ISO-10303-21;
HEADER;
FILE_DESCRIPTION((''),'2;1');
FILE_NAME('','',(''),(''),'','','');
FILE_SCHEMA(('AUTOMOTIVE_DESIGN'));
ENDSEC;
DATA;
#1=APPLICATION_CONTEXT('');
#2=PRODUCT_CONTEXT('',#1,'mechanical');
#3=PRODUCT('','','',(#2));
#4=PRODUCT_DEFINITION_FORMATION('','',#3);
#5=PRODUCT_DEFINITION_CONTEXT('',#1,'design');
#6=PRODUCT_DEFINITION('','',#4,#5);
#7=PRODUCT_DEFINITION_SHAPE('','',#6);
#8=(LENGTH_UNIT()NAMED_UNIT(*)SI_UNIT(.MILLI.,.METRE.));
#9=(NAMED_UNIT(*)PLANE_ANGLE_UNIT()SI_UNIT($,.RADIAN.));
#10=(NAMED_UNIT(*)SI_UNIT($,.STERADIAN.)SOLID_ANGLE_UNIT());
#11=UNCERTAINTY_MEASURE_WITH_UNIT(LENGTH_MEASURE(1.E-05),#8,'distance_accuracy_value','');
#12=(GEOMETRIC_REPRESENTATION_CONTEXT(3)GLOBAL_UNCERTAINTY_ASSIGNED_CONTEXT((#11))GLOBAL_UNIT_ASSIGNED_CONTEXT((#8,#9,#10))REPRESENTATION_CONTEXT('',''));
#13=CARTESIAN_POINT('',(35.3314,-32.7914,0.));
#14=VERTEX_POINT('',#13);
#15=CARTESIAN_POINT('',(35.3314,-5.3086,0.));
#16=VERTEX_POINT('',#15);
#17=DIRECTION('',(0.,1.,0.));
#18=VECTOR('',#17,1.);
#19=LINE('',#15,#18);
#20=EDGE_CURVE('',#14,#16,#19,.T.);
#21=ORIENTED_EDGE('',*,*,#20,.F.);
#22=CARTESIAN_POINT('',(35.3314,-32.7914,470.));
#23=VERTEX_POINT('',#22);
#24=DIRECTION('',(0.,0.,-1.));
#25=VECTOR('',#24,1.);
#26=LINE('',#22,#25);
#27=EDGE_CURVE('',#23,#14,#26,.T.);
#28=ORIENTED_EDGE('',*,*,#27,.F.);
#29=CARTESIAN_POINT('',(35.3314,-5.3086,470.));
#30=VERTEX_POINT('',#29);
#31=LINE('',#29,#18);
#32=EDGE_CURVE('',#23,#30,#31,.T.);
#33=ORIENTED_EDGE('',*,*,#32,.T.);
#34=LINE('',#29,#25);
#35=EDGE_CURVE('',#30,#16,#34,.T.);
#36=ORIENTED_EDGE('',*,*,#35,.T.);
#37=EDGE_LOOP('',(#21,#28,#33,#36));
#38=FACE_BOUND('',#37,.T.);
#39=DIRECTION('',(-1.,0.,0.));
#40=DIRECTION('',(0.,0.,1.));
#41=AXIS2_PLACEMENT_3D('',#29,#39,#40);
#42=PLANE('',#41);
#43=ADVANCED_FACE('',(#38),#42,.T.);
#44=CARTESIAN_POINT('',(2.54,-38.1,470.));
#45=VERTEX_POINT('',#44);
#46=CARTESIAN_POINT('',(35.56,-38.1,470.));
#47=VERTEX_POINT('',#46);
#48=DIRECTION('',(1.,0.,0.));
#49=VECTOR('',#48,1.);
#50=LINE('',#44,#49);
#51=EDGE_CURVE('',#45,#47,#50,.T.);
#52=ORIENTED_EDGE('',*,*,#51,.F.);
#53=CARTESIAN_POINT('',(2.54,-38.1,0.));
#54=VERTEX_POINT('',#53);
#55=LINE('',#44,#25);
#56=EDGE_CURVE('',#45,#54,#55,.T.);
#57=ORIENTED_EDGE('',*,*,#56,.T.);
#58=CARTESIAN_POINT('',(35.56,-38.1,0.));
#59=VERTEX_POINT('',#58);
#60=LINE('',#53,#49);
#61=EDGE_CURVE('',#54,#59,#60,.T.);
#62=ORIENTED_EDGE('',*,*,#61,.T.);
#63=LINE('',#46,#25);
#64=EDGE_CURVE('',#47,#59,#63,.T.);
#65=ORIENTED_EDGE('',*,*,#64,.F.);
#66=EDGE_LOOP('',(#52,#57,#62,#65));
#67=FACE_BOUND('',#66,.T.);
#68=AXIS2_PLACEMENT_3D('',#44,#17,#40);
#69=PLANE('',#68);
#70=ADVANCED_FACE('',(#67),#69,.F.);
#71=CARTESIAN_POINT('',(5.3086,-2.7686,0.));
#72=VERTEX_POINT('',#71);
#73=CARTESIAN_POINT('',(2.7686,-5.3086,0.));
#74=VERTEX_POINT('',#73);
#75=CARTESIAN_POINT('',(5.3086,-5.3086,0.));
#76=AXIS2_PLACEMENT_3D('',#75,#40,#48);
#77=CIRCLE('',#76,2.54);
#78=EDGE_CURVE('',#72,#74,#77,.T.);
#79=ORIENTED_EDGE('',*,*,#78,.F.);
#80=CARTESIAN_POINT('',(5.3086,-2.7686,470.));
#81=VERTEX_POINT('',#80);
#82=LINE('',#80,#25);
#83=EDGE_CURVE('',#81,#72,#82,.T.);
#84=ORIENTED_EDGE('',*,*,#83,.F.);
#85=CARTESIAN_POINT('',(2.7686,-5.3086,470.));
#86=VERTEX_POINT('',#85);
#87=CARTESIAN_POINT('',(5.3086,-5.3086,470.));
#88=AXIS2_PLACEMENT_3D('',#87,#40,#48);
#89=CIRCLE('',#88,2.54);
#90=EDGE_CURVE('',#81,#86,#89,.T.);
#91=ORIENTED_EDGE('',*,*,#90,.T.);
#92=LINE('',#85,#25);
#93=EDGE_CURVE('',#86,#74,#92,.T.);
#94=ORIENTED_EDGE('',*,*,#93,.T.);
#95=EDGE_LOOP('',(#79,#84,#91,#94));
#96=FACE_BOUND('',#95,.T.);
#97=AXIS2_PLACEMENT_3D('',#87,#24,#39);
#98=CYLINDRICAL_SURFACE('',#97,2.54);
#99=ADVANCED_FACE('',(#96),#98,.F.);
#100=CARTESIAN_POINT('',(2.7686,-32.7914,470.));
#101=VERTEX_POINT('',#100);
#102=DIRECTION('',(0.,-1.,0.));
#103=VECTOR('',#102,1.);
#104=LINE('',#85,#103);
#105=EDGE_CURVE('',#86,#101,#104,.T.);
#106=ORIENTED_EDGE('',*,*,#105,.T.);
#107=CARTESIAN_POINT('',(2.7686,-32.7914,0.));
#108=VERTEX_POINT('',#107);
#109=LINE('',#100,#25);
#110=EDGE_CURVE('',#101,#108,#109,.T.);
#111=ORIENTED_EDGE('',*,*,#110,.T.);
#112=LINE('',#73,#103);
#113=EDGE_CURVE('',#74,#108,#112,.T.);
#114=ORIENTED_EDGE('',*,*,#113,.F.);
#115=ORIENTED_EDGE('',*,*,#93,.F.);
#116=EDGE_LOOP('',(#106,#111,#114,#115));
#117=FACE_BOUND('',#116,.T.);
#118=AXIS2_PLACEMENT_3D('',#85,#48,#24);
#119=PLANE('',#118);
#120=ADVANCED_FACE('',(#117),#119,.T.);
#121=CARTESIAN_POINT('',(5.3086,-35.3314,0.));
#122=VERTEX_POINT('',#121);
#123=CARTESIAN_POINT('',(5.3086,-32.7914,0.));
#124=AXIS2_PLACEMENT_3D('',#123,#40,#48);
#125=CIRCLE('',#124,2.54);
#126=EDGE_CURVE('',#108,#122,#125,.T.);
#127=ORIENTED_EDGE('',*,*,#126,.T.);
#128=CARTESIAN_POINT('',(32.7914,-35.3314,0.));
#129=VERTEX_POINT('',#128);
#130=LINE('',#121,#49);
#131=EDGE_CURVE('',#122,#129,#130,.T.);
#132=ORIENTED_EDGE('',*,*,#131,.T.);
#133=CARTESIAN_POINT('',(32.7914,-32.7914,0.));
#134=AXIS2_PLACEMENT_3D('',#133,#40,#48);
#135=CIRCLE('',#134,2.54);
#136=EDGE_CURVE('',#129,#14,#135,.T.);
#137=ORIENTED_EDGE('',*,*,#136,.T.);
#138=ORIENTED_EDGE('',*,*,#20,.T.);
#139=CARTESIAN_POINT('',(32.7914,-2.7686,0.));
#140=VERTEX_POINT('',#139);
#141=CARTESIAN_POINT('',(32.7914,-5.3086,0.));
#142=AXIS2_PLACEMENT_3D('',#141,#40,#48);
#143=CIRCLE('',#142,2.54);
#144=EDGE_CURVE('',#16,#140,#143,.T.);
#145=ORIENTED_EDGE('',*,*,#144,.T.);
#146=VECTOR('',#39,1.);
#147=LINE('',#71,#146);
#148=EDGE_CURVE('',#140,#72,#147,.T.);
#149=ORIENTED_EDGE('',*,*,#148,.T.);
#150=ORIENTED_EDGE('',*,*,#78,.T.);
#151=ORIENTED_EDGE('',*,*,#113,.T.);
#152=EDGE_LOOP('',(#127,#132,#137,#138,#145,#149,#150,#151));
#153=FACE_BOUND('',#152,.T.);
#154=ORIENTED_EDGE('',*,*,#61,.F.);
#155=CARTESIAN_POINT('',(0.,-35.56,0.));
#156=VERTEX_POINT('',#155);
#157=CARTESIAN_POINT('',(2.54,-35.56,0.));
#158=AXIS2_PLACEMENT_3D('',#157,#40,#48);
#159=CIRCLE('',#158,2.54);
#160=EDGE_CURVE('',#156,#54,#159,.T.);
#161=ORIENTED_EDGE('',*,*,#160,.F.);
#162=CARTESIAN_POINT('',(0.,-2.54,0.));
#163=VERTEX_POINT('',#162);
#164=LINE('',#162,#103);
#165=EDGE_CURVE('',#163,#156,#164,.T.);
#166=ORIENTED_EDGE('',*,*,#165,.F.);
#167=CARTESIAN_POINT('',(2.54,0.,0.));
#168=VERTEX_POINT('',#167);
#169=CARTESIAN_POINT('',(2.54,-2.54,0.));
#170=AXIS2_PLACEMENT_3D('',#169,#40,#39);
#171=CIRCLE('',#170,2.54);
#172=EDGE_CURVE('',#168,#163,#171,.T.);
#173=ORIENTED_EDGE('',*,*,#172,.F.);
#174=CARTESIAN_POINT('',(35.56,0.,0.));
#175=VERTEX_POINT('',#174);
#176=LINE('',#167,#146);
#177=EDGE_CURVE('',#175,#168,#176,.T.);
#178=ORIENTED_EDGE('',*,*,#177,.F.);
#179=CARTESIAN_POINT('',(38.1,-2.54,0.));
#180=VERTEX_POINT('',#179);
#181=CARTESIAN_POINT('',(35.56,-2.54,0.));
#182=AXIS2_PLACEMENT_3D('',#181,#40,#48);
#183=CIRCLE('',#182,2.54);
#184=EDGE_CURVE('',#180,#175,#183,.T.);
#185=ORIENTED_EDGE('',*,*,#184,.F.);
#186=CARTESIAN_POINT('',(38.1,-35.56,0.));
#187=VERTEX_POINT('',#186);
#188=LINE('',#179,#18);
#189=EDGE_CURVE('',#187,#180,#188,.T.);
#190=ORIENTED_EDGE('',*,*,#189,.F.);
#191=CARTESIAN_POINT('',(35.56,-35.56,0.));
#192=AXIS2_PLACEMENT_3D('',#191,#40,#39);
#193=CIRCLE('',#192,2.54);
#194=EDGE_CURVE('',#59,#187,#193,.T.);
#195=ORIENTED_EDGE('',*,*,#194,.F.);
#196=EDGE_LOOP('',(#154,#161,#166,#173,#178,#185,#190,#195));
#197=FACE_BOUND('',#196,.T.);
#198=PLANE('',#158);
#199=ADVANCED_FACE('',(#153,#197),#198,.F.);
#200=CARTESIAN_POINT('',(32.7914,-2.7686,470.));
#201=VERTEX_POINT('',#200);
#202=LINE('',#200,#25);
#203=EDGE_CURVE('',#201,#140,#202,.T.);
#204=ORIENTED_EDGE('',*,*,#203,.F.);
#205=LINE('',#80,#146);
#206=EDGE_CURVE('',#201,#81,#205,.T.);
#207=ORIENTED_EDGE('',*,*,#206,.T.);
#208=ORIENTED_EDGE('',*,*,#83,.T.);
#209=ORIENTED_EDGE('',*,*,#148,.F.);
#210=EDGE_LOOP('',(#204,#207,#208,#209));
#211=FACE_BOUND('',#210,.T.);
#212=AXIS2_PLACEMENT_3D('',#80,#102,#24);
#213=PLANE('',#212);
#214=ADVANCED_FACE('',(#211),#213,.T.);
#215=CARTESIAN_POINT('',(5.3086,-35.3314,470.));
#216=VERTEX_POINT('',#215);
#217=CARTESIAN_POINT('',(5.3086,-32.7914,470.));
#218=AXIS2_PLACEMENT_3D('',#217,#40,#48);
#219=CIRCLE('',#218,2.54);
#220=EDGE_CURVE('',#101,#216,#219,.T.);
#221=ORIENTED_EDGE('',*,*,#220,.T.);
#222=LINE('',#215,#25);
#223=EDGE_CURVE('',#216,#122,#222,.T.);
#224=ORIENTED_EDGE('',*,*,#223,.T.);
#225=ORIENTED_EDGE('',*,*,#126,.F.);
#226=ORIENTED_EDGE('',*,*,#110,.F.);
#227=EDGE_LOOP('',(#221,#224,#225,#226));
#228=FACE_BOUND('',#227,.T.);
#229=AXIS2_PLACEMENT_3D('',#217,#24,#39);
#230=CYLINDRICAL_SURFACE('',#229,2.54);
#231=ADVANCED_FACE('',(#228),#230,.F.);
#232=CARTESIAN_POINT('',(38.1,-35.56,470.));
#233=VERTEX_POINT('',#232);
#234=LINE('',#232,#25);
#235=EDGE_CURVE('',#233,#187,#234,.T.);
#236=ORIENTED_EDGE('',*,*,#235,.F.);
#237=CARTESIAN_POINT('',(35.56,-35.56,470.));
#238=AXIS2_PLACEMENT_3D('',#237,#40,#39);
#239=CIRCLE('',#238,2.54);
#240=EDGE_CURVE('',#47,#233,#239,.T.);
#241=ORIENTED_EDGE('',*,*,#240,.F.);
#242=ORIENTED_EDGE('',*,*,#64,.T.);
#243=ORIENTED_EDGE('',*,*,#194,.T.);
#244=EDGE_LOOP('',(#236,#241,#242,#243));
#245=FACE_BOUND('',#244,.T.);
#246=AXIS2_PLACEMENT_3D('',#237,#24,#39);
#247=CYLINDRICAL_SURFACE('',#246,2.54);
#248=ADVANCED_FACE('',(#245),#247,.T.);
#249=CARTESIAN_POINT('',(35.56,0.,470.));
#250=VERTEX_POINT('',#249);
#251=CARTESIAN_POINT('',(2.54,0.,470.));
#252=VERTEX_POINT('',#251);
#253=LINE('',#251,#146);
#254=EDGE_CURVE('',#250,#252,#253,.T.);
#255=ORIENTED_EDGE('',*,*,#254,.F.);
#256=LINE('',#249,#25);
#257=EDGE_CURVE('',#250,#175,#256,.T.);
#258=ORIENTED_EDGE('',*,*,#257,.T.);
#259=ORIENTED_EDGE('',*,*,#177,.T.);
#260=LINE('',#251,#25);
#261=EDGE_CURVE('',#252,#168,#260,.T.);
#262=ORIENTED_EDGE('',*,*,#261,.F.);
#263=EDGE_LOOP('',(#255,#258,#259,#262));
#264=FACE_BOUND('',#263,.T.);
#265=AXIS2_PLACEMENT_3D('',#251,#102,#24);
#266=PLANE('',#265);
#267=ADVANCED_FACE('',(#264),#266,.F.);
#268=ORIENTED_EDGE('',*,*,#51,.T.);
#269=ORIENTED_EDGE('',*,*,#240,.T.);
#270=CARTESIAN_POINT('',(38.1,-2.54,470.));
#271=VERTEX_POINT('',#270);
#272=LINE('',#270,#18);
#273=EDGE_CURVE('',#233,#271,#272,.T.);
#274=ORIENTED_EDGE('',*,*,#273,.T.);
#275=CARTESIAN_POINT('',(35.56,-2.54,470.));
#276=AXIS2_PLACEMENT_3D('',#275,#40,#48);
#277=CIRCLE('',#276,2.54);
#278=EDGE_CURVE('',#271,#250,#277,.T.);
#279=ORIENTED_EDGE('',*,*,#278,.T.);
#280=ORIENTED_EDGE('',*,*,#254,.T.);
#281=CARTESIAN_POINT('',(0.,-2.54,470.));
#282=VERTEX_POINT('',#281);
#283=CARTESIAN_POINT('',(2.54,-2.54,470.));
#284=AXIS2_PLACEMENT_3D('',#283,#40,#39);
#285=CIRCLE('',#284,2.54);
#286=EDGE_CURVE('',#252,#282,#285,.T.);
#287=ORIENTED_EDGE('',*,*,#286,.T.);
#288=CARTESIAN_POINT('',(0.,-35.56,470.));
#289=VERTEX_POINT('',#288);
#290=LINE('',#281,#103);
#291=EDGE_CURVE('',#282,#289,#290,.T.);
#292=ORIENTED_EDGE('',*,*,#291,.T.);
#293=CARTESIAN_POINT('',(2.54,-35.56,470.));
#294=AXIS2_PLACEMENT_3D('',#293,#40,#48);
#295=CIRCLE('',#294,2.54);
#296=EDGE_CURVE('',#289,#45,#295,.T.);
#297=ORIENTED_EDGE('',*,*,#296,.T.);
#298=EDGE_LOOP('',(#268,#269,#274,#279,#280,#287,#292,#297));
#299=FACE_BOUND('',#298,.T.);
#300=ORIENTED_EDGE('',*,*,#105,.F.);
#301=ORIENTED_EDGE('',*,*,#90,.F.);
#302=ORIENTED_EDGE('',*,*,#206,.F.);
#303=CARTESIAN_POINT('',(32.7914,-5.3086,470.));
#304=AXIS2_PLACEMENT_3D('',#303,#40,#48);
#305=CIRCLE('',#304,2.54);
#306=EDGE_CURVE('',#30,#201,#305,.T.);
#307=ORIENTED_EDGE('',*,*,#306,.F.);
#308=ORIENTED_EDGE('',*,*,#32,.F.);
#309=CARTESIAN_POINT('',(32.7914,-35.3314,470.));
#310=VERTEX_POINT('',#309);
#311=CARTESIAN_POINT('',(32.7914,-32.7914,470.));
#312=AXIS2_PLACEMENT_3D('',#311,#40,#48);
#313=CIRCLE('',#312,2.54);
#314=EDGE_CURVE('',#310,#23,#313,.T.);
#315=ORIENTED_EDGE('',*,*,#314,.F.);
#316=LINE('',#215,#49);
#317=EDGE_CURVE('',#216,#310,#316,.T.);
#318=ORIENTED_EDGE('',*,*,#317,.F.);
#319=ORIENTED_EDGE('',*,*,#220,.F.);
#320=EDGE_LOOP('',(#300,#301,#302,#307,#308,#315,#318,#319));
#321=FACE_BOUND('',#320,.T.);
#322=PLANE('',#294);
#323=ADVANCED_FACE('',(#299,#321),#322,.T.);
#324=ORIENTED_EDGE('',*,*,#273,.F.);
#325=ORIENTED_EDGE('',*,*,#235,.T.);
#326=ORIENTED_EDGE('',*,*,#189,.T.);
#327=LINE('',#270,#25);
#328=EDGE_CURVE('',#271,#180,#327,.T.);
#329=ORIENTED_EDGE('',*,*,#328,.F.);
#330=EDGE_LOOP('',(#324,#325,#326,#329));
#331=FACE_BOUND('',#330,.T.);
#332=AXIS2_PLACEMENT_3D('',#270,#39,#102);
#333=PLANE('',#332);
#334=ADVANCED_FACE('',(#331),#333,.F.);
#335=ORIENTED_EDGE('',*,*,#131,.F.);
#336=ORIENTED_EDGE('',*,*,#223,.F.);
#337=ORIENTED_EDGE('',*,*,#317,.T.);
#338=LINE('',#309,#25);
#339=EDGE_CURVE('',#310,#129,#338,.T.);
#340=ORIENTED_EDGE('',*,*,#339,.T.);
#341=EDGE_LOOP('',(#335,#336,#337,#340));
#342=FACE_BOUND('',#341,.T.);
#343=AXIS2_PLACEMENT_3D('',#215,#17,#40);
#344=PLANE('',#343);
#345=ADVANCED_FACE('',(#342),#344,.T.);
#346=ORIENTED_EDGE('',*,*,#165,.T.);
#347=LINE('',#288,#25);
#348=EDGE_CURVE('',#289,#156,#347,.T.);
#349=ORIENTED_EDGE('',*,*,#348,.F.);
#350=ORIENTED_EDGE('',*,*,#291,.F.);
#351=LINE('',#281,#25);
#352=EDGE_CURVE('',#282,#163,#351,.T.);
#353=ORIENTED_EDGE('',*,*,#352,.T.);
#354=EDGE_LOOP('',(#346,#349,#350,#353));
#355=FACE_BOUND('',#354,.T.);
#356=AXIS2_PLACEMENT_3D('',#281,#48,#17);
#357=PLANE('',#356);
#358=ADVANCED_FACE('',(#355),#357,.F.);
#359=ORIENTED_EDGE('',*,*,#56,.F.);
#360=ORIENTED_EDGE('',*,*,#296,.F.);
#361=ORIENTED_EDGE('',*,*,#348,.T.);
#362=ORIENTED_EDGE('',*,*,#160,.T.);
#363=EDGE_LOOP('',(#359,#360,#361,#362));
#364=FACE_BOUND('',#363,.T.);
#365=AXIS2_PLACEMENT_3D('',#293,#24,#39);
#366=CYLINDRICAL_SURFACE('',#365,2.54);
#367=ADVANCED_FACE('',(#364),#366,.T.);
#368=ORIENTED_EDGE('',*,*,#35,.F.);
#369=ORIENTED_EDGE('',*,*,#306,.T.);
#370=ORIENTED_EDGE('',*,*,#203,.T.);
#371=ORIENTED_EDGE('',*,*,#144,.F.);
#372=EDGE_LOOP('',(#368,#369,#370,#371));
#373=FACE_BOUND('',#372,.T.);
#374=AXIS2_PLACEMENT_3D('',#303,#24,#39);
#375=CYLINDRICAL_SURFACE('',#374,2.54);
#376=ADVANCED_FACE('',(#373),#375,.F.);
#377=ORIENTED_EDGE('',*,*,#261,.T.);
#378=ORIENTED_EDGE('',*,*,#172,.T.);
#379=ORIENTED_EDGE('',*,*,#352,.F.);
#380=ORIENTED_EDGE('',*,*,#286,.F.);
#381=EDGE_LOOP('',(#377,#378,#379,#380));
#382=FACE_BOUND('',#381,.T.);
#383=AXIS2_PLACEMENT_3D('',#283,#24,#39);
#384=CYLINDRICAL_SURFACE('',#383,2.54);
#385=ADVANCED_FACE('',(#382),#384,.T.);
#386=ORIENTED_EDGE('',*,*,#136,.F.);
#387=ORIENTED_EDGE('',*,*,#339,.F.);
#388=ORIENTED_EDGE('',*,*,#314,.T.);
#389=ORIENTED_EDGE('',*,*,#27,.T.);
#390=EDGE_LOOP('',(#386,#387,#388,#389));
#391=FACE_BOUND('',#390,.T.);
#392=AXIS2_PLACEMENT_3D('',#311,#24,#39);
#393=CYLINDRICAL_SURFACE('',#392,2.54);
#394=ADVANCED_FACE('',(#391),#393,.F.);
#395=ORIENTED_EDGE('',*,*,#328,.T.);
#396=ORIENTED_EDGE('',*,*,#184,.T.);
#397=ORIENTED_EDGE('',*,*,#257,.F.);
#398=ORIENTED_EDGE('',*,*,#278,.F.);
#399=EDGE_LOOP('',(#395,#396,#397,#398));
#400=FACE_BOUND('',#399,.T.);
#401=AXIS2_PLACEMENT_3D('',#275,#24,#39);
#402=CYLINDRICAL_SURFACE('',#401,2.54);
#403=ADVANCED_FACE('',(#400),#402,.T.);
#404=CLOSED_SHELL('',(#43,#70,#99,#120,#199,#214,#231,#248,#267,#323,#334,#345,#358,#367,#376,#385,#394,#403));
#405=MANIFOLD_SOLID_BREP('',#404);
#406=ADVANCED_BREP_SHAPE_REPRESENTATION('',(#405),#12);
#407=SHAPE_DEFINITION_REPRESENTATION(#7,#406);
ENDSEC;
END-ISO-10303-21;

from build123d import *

# Parameters (mm, degrees)
BOSS_EXTRUDE1_DEPTH = 470


with BuildPart() as part:
    # Sketch1 → Boss-Extrude1 (new body)
    with BuildSketch(Plane.XY):
        with BuildLine():
            Line((2.54, 0), (35.56, 0))
            ThreePointArc((35.56, 0), (37.356051224, -0.743948776), (38.1, -2.54))
            Line((38.1, -2.54), (38.1, -35.56))
            ThreePointArc((38.1, -35.56), (37.356051224, -37.356051224), (35.56, -38.1))
            Line((35.56, -38.1), (2.54, -38.1))
            ThreePointArc((2.54, -38.1), (0.743948776, -37.356051224), (0, -35.56))
            Line((0, -35.56), (0, -2.54))
            ThreePointArc((0, -2.54), (0.743948776, -0.743948776), (2.54, 0))
        make_face()
        with BuildLine():
            Line((5.3086, -2.7686), (32.7914, -2.7686))
            ThreePointArc((32.7914, -2.7686), (34.587451224, -3.512548776), (35.3314, -5.3086))
            Line((35.3314, -5.3086), (35.3314, -32.7914))
            ThreePointArc((35.3314, -32.7914), (34.587451224, -34.587451224), (32.7914, -35.3314))
            Line((32.7914, -35.3314), (5.3086, -35.3314))
            ThreePointArc((5.3086, -35.3314), (3.512548776, -34.587451224), (2.7686, -32.7914))
            Line((2.7686, -32.7914), (2.7686, -5.3086))
            ThreePointArc((2.7686, -5.3086), (3.512548776, -3.512548776), (5.3086, -2.7686))
        make_face(mode=Mode.SUBTRACT)
    extrude(amount=BOSS_EXTRUDE1_DEPTH)


solid = part.part
